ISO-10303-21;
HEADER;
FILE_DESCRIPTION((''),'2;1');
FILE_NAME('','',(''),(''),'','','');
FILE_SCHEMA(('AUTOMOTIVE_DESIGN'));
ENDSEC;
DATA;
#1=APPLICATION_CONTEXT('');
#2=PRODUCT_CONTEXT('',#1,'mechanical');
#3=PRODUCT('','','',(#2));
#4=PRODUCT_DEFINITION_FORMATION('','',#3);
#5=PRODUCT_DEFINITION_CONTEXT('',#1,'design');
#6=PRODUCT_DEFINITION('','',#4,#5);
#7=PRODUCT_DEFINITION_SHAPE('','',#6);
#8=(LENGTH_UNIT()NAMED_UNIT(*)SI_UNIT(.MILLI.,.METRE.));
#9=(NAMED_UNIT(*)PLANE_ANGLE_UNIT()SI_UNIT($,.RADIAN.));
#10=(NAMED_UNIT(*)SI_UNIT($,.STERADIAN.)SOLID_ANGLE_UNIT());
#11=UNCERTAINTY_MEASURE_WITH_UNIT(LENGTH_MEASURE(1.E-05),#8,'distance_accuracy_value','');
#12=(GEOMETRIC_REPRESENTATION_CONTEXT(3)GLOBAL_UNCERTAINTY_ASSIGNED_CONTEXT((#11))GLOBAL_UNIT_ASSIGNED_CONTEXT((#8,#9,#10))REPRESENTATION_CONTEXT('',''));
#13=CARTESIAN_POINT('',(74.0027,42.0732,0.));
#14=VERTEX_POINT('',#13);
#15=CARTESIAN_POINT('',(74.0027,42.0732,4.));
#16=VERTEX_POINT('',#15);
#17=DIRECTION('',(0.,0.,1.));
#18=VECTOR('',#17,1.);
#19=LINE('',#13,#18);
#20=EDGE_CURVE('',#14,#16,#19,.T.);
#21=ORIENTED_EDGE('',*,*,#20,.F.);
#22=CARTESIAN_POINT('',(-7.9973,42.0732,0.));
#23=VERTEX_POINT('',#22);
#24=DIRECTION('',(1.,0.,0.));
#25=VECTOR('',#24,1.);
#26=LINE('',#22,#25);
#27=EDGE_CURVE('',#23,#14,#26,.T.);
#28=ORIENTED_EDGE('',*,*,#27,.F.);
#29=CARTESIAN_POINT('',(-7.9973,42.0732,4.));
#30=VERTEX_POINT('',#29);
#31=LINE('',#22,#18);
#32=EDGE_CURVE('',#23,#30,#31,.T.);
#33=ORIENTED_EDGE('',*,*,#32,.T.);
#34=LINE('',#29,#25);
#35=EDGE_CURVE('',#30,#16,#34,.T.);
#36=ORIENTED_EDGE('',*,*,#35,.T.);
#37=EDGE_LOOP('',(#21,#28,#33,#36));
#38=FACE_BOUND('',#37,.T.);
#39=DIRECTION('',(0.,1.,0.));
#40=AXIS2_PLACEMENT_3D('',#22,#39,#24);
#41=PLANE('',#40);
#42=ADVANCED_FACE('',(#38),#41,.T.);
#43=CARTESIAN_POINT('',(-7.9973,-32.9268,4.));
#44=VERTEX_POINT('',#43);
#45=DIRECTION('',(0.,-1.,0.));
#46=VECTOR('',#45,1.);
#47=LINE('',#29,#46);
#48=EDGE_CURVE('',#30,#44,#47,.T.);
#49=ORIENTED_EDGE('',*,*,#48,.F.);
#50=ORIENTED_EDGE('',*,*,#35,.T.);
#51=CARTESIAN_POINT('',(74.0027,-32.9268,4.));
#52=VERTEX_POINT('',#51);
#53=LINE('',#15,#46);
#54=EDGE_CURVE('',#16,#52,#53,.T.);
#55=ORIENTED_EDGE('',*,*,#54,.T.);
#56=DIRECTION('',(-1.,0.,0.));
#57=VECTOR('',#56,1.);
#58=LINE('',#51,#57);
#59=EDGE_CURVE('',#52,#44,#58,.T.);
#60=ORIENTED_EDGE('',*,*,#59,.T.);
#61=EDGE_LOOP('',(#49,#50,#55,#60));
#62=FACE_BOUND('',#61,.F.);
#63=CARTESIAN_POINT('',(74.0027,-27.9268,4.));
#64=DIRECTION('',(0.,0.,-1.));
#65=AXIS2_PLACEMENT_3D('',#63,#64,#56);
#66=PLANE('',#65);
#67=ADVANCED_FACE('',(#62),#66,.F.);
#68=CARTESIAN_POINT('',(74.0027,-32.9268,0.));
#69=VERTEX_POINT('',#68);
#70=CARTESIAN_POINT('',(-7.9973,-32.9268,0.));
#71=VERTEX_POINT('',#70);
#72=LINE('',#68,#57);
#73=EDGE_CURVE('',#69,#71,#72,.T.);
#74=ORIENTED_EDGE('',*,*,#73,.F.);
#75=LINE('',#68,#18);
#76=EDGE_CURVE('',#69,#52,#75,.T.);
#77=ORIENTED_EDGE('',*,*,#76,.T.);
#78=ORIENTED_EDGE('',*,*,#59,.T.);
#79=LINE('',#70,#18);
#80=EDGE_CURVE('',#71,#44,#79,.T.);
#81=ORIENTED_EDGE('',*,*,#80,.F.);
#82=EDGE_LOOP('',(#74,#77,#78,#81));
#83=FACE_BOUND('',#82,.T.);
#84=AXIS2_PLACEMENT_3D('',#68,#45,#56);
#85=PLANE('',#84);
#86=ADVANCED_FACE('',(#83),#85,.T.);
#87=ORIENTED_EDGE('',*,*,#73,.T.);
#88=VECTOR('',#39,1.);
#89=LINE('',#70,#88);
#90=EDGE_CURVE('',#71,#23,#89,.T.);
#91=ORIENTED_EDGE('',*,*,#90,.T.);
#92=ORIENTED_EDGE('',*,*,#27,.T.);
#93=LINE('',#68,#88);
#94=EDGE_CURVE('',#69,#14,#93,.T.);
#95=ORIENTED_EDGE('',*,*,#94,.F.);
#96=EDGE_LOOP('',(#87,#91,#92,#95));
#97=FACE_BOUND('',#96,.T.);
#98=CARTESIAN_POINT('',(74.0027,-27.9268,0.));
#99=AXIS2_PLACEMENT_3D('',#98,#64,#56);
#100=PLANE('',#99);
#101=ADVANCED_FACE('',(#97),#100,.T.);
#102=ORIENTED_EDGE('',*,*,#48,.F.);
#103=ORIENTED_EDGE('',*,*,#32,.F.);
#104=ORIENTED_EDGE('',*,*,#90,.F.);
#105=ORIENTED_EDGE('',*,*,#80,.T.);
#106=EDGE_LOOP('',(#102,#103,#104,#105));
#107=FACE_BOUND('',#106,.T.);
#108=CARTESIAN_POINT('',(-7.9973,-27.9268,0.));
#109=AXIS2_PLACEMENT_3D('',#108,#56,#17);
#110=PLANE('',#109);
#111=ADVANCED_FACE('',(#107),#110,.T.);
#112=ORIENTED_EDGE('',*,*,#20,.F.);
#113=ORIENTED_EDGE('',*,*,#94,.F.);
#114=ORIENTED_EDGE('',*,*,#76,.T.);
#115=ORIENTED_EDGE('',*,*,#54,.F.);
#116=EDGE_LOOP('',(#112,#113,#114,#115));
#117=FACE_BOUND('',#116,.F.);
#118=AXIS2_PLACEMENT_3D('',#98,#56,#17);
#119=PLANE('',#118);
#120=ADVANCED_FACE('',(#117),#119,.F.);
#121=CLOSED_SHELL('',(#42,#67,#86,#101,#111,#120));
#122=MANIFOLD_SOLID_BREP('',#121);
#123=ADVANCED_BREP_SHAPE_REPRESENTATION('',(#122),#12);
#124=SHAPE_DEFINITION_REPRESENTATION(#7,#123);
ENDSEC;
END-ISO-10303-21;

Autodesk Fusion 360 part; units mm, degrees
sketch "Sketch1" plane through (0, 0, 0) normal (0, 0, 1) x (1, 0, 0)
  line L0 (-7.9973, 42.0732) -> (74.0027, 42.0732)
  line L1 (74.0027, 42.0732) -> (74.0027, -12.9268)
  line L2 (74.0027, -12.9268) -> (-7.9973, -12.9268)
  line L3 (-7.9973, -12.9268) -> (-7.9973, 42.0732)
extrude "Extrude1" add sketch "Sketch1" along normal blind 4
extrude "Extrude2" add 1 faces at (46.6694, -12.9268, 1.3333) along direction (0, -1, 0) blind 15
extrude "Extrude3" add 1 faces at (46.6694, -27.9268, 1.3333) along direction (0, -1, 0) blind 5
